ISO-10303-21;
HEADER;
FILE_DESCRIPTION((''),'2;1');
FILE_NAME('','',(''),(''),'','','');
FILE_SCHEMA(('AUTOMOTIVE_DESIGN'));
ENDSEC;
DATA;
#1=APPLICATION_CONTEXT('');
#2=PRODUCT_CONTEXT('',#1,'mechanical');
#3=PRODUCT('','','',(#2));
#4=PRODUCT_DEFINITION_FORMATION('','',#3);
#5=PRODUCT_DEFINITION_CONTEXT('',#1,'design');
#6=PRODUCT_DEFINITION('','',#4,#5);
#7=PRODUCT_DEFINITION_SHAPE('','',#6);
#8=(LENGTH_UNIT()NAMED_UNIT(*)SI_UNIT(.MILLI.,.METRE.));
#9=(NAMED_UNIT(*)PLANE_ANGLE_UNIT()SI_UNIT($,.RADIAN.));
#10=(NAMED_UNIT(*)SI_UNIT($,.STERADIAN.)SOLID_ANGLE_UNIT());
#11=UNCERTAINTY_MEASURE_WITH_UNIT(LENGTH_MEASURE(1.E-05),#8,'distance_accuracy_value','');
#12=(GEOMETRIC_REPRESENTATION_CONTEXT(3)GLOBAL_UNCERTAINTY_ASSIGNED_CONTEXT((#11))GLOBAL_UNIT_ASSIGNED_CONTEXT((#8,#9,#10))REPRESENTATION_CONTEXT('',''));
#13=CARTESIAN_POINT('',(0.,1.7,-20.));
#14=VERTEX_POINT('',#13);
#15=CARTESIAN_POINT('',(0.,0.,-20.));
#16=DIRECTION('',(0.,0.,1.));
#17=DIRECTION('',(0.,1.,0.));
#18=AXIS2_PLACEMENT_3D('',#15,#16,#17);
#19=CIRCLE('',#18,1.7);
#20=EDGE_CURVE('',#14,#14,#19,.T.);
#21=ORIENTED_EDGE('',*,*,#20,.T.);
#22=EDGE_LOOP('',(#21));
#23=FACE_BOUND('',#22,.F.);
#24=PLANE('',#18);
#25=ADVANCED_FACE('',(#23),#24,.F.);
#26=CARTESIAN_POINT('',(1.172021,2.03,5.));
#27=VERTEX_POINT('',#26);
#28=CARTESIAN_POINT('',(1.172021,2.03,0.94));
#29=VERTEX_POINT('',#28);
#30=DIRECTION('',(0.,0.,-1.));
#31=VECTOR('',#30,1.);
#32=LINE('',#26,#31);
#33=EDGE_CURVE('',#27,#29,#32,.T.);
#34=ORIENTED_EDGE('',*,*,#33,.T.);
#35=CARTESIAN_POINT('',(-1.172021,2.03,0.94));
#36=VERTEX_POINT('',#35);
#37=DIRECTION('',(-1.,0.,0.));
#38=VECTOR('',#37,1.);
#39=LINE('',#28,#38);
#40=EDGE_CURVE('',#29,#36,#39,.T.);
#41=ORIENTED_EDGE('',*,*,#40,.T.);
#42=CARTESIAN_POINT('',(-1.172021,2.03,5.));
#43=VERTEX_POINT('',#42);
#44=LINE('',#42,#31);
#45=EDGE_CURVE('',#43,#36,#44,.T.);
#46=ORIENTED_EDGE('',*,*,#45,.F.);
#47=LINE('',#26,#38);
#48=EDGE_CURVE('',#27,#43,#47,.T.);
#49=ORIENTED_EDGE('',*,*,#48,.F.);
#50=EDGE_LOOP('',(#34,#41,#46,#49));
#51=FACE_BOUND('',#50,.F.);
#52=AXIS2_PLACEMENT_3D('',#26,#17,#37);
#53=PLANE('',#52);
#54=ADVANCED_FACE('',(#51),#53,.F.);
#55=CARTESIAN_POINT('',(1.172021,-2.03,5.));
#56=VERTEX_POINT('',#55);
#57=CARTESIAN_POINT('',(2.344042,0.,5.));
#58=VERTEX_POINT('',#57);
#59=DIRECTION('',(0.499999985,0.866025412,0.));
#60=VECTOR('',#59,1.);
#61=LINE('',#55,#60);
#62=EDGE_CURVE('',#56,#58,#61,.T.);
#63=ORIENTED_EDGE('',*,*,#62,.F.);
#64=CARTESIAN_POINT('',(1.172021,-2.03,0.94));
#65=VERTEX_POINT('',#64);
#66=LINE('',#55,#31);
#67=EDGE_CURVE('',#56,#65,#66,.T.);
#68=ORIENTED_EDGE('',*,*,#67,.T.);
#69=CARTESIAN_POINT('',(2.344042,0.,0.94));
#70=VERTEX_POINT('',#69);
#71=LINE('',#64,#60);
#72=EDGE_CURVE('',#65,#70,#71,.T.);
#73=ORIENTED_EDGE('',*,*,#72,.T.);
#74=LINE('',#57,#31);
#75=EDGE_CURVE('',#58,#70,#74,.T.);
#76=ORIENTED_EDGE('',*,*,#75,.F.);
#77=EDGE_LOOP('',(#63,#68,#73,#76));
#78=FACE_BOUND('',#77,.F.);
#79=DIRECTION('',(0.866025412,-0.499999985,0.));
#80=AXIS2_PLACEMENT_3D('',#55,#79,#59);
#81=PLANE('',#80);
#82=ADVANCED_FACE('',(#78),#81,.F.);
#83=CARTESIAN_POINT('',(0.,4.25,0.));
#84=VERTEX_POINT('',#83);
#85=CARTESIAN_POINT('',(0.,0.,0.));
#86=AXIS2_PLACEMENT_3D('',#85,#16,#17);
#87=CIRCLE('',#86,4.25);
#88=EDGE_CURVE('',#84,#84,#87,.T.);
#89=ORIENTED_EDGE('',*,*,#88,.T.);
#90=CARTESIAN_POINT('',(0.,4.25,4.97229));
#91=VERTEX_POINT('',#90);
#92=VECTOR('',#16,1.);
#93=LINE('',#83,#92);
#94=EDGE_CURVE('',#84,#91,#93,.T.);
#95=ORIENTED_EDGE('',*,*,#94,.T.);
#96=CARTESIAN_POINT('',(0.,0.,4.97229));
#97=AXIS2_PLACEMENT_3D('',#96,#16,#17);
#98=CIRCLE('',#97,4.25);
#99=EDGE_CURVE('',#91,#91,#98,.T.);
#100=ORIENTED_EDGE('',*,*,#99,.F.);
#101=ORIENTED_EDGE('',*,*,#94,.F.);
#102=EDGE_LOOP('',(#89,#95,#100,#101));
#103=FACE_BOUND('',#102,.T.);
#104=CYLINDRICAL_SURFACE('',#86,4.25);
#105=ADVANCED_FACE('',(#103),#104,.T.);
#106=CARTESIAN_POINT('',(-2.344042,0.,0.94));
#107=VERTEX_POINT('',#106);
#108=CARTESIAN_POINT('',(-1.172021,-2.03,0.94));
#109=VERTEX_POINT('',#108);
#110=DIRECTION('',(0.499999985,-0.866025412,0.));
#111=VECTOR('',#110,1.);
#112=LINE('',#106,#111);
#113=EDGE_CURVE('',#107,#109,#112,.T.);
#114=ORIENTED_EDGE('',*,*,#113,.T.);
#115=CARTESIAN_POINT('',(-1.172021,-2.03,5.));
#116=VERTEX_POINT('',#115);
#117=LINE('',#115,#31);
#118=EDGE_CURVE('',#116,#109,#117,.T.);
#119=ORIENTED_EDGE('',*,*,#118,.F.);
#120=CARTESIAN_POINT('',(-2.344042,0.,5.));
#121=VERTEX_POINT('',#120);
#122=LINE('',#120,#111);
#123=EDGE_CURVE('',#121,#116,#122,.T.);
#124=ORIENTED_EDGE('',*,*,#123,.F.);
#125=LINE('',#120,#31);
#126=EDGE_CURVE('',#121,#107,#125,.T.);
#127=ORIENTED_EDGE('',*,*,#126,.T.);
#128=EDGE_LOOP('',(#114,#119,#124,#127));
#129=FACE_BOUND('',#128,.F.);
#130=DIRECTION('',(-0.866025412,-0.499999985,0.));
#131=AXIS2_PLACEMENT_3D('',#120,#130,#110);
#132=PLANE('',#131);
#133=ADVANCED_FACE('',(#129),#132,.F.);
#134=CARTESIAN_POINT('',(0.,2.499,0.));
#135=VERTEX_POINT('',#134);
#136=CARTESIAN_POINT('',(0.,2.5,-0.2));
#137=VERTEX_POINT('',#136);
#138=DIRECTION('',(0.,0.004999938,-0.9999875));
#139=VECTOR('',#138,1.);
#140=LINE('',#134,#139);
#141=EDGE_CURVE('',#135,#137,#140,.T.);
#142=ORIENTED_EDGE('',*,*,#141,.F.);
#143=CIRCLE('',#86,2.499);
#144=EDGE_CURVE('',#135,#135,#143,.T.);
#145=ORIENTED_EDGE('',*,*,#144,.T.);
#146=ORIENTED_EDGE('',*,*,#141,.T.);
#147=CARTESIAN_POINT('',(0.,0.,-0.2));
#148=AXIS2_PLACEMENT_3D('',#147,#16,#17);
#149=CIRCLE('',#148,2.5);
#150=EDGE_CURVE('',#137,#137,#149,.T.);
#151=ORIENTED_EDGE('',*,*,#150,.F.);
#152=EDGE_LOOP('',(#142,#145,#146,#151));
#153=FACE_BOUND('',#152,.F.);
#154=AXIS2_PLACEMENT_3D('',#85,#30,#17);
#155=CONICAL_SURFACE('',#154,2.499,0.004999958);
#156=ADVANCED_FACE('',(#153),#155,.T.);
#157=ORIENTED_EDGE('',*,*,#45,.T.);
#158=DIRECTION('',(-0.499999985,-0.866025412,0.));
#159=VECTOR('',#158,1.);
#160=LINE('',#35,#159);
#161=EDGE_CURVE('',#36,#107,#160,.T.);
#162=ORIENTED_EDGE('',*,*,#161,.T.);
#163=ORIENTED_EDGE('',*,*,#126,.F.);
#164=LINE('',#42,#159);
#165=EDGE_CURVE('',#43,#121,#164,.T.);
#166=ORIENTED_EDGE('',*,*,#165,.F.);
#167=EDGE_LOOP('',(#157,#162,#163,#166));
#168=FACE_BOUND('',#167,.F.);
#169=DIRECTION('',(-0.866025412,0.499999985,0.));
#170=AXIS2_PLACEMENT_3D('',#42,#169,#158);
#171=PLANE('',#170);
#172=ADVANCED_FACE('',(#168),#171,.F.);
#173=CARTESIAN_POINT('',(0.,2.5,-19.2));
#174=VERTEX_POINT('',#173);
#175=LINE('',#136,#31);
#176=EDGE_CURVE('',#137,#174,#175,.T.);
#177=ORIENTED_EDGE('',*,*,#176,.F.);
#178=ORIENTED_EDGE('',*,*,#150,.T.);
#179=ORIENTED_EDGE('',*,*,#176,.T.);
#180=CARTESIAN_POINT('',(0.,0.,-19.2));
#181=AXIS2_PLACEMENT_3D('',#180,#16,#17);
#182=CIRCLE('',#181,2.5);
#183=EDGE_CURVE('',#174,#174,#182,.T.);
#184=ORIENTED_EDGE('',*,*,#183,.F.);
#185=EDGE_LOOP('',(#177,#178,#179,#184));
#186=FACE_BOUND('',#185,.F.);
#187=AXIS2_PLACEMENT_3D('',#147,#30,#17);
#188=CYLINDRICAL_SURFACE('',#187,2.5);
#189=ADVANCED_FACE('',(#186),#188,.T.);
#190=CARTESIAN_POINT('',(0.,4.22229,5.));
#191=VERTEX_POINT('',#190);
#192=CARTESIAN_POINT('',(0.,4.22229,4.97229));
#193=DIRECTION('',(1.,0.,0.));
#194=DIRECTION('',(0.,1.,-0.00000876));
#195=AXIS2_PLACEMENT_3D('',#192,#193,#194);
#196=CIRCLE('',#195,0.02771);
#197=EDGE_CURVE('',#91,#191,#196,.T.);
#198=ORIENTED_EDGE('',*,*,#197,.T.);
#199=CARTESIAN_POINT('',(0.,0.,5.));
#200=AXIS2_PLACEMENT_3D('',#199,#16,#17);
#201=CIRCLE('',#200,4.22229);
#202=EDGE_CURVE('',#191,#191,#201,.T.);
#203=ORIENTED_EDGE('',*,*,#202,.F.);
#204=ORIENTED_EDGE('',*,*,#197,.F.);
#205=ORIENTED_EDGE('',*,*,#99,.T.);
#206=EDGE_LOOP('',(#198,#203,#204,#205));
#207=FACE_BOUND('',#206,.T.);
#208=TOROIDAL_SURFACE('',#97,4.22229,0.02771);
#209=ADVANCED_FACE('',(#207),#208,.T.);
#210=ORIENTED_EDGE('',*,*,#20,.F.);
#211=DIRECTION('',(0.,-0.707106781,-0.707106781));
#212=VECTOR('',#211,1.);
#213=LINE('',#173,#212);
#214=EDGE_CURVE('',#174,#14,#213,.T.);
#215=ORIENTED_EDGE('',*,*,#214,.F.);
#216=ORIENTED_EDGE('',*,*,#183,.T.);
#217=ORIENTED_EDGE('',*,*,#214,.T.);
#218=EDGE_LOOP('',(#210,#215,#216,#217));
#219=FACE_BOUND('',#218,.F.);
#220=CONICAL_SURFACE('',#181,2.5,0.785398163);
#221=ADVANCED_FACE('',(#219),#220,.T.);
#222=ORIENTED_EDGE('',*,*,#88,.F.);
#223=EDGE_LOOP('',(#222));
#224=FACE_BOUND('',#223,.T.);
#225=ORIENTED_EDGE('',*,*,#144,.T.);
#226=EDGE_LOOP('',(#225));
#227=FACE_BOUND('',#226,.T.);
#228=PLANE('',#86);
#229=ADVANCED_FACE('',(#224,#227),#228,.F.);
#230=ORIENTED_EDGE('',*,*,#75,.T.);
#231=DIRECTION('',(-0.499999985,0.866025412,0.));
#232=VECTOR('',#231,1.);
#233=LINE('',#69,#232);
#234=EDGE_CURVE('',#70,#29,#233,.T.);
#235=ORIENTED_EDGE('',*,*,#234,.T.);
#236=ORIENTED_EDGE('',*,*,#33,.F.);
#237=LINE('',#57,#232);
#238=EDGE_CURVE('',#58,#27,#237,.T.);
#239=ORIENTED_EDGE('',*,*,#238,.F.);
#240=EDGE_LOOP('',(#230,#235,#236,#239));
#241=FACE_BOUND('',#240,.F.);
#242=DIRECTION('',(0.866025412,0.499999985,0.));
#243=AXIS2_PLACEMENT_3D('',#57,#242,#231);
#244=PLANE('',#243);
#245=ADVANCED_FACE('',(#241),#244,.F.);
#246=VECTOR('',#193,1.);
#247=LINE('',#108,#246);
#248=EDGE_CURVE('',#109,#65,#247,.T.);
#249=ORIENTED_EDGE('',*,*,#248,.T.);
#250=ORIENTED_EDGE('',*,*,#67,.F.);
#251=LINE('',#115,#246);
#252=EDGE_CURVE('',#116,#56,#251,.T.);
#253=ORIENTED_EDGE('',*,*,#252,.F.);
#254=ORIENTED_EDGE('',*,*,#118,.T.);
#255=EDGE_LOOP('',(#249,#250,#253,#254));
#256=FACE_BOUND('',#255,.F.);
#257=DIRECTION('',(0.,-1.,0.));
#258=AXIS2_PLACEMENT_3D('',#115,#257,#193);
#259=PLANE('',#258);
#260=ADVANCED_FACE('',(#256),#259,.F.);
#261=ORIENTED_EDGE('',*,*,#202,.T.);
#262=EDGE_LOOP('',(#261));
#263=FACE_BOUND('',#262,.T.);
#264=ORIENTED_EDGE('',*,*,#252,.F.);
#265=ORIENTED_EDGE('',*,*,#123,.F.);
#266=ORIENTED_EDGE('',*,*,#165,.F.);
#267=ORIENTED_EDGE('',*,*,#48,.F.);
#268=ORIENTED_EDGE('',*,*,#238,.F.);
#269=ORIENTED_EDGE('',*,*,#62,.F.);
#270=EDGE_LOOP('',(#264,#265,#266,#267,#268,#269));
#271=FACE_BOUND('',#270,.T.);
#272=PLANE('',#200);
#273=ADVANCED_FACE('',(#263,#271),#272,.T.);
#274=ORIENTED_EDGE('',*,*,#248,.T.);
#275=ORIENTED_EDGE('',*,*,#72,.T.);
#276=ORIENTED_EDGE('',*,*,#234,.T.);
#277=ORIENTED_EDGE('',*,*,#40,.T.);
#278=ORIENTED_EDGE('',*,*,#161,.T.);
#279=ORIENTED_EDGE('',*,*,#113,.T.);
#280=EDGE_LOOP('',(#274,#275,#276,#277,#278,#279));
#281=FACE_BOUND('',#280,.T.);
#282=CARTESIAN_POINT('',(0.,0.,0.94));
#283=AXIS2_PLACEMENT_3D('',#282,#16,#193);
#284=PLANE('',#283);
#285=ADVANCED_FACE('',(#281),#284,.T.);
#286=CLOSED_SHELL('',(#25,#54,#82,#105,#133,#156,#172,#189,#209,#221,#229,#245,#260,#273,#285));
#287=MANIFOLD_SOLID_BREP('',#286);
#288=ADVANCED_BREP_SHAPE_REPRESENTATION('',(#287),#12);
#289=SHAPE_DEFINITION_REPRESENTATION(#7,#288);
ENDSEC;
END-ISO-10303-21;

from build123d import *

# Parameters (mm, degrees)
POCKET_DEPTH = 4.06


with BuildPart() as part:
    # Sketch → Revolve (revolve)
    with BuildSketch(Plane.YZ):
        with BuildLine():
            Line((2.499, 0), (4.25, 0))
            Line((4.25, 0), (4.25, 4.97229))
            ThreePointArc((4.25, 4.97229), (4.241884, 4.991884), (4.22229, 5))
            Line((4.22229, 5), (0, 5))
            Line((0, -20), (0, 5))
            Line((1.7, -20), (0, -20))
            Line((2.5, -19.2), (1.7, -20))
            Line((2.5, -0.2), (2.5, -19.2))
            Line((2.499, 0), (2.5, -0.2))
        make_face()
    revolve(axis=Axis((0, 0, 0), (0, 0, 1)))

    # Sketch001 → Pocket (cut)
    with BuildSketch(Plane.XY.offset(5)):
        Polygon((2.344042, 0), (1.172021, 2.03), (-1.172021, 2.03), (-2.344042, 0), (-1.172021, -2.03), (1.172021, -2.03), align=None)
    extrude(amount=-POCKET_DEPTH, mode=Mode.SUBTRACT)


solid = part.part
